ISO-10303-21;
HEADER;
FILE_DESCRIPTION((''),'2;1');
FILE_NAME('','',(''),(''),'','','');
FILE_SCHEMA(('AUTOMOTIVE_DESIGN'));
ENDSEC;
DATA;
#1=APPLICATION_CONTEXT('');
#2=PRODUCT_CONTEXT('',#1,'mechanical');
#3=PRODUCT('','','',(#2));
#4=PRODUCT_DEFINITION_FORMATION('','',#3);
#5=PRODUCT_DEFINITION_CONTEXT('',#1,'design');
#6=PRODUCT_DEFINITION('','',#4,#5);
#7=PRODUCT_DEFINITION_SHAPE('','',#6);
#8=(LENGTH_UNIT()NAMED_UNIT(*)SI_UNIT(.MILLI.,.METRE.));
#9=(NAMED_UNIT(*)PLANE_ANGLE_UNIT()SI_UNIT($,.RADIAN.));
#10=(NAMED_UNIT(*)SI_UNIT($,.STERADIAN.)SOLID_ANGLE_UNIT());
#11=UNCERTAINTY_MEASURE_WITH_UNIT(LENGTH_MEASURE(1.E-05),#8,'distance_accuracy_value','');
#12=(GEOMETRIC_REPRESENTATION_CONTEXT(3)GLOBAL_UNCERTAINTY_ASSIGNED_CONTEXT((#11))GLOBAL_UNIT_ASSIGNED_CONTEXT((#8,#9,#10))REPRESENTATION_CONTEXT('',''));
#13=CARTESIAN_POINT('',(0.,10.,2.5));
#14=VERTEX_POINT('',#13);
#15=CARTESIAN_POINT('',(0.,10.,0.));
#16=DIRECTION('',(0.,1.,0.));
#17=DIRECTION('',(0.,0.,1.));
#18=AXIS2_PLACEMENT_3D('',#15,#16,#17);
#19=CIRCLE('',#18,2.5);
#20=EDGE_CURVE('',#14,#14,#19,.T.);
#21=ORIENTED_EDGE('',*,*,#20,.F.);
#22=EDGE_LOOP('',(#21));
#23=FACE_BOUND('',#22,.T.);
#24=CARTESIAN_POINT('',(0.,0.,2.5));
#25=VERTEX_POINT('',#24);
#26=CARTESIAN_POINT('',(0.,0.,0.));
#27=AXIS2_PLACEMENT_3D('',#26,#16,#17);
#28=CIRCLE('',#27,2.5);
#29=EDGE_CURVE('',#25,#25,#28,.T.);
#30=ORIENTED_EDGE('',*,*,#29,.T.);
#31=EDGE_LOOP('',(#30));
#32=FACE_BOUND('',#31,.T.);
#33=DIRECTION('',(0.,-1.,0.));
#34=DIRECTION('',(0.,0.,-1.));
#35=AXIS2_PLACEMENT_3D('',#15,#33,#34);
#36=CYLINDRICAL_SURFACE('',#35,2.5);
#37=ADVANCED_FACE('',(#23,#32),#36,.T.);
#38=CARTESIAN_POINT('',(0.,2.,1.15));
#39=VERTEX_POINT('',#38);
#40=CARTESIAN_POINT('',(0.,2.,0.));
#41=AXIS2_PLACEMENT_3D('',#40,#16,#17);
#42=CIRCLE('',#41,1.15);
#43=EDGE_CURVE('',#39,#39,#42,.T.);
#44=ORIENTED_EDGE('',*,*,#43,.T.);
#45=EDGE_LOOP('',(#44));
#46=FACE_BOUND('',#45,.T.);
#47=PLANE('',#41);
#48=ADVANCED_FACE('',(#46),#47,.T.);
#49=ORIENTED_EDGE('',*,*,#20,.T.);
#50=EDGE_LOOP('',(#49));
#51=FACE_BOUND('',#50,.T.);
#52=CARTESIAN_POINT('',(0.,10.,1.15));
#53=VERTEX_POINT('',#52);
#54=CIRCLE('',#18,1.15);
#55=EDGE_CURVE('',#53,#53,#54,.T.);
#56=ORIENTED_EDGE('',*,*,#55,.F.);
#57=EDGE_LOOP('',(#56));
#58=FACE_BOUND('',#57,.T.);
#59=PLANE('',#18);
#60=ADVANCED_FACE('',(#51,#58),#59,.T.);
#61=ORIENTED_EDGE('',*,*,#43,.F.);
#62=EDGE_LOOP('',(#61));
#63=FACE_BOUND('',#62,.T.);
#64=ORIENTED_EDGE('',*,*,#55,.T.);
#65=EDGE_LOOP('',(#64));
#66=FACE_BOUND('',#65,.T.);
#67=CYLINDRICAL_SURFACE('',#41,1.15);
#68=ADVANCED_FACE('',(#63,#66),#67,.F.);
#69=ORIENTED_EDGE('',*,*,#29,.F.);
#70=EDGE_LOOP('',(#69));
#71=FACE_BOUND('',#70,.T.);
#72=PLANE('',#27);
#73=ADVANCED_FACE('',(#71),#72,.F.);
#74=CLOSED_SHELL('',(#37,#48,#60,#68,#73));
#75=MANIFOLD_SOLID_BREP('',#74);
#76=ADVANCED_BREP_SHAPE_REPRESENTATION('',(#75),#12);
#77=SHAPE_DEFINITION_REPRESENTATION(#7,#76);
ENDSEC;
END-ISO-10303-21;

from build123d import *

# Parameters (mm, degrees)
SKETCH1_R           = 2.5
BOSS_EXTRUDE1_DEPTH = 10
SKETCH2_R           = 1.15
CUT_EXTRUDE1_DEPTH  = 8


with BuildPart() as part:
    # Sketch1 → Boss-Extrude1 (new body)
    with BuildSketch(Plane(origin=(0, 0, 0), x_dir=(1, 0, 0), z_dir=(0, 1, 0))):
        Circle(SKETCH1_R)
    extrude(amount=BOSS_EXTRUDE1_DEPTH)

    # Sketch2 → Cut-Extrude1 (cut)
    with BuildSketch(Plane(origin=(0, 10, 0), x_dir=(1, 0, 0), z_dir=(0, 1, 0))):
        Circle(SKETCH2_R)
    extrude(amount=-CUT_EXTRUDE1_DEPTH, mode=Mode.SUBTRACT)


solid = part.part
